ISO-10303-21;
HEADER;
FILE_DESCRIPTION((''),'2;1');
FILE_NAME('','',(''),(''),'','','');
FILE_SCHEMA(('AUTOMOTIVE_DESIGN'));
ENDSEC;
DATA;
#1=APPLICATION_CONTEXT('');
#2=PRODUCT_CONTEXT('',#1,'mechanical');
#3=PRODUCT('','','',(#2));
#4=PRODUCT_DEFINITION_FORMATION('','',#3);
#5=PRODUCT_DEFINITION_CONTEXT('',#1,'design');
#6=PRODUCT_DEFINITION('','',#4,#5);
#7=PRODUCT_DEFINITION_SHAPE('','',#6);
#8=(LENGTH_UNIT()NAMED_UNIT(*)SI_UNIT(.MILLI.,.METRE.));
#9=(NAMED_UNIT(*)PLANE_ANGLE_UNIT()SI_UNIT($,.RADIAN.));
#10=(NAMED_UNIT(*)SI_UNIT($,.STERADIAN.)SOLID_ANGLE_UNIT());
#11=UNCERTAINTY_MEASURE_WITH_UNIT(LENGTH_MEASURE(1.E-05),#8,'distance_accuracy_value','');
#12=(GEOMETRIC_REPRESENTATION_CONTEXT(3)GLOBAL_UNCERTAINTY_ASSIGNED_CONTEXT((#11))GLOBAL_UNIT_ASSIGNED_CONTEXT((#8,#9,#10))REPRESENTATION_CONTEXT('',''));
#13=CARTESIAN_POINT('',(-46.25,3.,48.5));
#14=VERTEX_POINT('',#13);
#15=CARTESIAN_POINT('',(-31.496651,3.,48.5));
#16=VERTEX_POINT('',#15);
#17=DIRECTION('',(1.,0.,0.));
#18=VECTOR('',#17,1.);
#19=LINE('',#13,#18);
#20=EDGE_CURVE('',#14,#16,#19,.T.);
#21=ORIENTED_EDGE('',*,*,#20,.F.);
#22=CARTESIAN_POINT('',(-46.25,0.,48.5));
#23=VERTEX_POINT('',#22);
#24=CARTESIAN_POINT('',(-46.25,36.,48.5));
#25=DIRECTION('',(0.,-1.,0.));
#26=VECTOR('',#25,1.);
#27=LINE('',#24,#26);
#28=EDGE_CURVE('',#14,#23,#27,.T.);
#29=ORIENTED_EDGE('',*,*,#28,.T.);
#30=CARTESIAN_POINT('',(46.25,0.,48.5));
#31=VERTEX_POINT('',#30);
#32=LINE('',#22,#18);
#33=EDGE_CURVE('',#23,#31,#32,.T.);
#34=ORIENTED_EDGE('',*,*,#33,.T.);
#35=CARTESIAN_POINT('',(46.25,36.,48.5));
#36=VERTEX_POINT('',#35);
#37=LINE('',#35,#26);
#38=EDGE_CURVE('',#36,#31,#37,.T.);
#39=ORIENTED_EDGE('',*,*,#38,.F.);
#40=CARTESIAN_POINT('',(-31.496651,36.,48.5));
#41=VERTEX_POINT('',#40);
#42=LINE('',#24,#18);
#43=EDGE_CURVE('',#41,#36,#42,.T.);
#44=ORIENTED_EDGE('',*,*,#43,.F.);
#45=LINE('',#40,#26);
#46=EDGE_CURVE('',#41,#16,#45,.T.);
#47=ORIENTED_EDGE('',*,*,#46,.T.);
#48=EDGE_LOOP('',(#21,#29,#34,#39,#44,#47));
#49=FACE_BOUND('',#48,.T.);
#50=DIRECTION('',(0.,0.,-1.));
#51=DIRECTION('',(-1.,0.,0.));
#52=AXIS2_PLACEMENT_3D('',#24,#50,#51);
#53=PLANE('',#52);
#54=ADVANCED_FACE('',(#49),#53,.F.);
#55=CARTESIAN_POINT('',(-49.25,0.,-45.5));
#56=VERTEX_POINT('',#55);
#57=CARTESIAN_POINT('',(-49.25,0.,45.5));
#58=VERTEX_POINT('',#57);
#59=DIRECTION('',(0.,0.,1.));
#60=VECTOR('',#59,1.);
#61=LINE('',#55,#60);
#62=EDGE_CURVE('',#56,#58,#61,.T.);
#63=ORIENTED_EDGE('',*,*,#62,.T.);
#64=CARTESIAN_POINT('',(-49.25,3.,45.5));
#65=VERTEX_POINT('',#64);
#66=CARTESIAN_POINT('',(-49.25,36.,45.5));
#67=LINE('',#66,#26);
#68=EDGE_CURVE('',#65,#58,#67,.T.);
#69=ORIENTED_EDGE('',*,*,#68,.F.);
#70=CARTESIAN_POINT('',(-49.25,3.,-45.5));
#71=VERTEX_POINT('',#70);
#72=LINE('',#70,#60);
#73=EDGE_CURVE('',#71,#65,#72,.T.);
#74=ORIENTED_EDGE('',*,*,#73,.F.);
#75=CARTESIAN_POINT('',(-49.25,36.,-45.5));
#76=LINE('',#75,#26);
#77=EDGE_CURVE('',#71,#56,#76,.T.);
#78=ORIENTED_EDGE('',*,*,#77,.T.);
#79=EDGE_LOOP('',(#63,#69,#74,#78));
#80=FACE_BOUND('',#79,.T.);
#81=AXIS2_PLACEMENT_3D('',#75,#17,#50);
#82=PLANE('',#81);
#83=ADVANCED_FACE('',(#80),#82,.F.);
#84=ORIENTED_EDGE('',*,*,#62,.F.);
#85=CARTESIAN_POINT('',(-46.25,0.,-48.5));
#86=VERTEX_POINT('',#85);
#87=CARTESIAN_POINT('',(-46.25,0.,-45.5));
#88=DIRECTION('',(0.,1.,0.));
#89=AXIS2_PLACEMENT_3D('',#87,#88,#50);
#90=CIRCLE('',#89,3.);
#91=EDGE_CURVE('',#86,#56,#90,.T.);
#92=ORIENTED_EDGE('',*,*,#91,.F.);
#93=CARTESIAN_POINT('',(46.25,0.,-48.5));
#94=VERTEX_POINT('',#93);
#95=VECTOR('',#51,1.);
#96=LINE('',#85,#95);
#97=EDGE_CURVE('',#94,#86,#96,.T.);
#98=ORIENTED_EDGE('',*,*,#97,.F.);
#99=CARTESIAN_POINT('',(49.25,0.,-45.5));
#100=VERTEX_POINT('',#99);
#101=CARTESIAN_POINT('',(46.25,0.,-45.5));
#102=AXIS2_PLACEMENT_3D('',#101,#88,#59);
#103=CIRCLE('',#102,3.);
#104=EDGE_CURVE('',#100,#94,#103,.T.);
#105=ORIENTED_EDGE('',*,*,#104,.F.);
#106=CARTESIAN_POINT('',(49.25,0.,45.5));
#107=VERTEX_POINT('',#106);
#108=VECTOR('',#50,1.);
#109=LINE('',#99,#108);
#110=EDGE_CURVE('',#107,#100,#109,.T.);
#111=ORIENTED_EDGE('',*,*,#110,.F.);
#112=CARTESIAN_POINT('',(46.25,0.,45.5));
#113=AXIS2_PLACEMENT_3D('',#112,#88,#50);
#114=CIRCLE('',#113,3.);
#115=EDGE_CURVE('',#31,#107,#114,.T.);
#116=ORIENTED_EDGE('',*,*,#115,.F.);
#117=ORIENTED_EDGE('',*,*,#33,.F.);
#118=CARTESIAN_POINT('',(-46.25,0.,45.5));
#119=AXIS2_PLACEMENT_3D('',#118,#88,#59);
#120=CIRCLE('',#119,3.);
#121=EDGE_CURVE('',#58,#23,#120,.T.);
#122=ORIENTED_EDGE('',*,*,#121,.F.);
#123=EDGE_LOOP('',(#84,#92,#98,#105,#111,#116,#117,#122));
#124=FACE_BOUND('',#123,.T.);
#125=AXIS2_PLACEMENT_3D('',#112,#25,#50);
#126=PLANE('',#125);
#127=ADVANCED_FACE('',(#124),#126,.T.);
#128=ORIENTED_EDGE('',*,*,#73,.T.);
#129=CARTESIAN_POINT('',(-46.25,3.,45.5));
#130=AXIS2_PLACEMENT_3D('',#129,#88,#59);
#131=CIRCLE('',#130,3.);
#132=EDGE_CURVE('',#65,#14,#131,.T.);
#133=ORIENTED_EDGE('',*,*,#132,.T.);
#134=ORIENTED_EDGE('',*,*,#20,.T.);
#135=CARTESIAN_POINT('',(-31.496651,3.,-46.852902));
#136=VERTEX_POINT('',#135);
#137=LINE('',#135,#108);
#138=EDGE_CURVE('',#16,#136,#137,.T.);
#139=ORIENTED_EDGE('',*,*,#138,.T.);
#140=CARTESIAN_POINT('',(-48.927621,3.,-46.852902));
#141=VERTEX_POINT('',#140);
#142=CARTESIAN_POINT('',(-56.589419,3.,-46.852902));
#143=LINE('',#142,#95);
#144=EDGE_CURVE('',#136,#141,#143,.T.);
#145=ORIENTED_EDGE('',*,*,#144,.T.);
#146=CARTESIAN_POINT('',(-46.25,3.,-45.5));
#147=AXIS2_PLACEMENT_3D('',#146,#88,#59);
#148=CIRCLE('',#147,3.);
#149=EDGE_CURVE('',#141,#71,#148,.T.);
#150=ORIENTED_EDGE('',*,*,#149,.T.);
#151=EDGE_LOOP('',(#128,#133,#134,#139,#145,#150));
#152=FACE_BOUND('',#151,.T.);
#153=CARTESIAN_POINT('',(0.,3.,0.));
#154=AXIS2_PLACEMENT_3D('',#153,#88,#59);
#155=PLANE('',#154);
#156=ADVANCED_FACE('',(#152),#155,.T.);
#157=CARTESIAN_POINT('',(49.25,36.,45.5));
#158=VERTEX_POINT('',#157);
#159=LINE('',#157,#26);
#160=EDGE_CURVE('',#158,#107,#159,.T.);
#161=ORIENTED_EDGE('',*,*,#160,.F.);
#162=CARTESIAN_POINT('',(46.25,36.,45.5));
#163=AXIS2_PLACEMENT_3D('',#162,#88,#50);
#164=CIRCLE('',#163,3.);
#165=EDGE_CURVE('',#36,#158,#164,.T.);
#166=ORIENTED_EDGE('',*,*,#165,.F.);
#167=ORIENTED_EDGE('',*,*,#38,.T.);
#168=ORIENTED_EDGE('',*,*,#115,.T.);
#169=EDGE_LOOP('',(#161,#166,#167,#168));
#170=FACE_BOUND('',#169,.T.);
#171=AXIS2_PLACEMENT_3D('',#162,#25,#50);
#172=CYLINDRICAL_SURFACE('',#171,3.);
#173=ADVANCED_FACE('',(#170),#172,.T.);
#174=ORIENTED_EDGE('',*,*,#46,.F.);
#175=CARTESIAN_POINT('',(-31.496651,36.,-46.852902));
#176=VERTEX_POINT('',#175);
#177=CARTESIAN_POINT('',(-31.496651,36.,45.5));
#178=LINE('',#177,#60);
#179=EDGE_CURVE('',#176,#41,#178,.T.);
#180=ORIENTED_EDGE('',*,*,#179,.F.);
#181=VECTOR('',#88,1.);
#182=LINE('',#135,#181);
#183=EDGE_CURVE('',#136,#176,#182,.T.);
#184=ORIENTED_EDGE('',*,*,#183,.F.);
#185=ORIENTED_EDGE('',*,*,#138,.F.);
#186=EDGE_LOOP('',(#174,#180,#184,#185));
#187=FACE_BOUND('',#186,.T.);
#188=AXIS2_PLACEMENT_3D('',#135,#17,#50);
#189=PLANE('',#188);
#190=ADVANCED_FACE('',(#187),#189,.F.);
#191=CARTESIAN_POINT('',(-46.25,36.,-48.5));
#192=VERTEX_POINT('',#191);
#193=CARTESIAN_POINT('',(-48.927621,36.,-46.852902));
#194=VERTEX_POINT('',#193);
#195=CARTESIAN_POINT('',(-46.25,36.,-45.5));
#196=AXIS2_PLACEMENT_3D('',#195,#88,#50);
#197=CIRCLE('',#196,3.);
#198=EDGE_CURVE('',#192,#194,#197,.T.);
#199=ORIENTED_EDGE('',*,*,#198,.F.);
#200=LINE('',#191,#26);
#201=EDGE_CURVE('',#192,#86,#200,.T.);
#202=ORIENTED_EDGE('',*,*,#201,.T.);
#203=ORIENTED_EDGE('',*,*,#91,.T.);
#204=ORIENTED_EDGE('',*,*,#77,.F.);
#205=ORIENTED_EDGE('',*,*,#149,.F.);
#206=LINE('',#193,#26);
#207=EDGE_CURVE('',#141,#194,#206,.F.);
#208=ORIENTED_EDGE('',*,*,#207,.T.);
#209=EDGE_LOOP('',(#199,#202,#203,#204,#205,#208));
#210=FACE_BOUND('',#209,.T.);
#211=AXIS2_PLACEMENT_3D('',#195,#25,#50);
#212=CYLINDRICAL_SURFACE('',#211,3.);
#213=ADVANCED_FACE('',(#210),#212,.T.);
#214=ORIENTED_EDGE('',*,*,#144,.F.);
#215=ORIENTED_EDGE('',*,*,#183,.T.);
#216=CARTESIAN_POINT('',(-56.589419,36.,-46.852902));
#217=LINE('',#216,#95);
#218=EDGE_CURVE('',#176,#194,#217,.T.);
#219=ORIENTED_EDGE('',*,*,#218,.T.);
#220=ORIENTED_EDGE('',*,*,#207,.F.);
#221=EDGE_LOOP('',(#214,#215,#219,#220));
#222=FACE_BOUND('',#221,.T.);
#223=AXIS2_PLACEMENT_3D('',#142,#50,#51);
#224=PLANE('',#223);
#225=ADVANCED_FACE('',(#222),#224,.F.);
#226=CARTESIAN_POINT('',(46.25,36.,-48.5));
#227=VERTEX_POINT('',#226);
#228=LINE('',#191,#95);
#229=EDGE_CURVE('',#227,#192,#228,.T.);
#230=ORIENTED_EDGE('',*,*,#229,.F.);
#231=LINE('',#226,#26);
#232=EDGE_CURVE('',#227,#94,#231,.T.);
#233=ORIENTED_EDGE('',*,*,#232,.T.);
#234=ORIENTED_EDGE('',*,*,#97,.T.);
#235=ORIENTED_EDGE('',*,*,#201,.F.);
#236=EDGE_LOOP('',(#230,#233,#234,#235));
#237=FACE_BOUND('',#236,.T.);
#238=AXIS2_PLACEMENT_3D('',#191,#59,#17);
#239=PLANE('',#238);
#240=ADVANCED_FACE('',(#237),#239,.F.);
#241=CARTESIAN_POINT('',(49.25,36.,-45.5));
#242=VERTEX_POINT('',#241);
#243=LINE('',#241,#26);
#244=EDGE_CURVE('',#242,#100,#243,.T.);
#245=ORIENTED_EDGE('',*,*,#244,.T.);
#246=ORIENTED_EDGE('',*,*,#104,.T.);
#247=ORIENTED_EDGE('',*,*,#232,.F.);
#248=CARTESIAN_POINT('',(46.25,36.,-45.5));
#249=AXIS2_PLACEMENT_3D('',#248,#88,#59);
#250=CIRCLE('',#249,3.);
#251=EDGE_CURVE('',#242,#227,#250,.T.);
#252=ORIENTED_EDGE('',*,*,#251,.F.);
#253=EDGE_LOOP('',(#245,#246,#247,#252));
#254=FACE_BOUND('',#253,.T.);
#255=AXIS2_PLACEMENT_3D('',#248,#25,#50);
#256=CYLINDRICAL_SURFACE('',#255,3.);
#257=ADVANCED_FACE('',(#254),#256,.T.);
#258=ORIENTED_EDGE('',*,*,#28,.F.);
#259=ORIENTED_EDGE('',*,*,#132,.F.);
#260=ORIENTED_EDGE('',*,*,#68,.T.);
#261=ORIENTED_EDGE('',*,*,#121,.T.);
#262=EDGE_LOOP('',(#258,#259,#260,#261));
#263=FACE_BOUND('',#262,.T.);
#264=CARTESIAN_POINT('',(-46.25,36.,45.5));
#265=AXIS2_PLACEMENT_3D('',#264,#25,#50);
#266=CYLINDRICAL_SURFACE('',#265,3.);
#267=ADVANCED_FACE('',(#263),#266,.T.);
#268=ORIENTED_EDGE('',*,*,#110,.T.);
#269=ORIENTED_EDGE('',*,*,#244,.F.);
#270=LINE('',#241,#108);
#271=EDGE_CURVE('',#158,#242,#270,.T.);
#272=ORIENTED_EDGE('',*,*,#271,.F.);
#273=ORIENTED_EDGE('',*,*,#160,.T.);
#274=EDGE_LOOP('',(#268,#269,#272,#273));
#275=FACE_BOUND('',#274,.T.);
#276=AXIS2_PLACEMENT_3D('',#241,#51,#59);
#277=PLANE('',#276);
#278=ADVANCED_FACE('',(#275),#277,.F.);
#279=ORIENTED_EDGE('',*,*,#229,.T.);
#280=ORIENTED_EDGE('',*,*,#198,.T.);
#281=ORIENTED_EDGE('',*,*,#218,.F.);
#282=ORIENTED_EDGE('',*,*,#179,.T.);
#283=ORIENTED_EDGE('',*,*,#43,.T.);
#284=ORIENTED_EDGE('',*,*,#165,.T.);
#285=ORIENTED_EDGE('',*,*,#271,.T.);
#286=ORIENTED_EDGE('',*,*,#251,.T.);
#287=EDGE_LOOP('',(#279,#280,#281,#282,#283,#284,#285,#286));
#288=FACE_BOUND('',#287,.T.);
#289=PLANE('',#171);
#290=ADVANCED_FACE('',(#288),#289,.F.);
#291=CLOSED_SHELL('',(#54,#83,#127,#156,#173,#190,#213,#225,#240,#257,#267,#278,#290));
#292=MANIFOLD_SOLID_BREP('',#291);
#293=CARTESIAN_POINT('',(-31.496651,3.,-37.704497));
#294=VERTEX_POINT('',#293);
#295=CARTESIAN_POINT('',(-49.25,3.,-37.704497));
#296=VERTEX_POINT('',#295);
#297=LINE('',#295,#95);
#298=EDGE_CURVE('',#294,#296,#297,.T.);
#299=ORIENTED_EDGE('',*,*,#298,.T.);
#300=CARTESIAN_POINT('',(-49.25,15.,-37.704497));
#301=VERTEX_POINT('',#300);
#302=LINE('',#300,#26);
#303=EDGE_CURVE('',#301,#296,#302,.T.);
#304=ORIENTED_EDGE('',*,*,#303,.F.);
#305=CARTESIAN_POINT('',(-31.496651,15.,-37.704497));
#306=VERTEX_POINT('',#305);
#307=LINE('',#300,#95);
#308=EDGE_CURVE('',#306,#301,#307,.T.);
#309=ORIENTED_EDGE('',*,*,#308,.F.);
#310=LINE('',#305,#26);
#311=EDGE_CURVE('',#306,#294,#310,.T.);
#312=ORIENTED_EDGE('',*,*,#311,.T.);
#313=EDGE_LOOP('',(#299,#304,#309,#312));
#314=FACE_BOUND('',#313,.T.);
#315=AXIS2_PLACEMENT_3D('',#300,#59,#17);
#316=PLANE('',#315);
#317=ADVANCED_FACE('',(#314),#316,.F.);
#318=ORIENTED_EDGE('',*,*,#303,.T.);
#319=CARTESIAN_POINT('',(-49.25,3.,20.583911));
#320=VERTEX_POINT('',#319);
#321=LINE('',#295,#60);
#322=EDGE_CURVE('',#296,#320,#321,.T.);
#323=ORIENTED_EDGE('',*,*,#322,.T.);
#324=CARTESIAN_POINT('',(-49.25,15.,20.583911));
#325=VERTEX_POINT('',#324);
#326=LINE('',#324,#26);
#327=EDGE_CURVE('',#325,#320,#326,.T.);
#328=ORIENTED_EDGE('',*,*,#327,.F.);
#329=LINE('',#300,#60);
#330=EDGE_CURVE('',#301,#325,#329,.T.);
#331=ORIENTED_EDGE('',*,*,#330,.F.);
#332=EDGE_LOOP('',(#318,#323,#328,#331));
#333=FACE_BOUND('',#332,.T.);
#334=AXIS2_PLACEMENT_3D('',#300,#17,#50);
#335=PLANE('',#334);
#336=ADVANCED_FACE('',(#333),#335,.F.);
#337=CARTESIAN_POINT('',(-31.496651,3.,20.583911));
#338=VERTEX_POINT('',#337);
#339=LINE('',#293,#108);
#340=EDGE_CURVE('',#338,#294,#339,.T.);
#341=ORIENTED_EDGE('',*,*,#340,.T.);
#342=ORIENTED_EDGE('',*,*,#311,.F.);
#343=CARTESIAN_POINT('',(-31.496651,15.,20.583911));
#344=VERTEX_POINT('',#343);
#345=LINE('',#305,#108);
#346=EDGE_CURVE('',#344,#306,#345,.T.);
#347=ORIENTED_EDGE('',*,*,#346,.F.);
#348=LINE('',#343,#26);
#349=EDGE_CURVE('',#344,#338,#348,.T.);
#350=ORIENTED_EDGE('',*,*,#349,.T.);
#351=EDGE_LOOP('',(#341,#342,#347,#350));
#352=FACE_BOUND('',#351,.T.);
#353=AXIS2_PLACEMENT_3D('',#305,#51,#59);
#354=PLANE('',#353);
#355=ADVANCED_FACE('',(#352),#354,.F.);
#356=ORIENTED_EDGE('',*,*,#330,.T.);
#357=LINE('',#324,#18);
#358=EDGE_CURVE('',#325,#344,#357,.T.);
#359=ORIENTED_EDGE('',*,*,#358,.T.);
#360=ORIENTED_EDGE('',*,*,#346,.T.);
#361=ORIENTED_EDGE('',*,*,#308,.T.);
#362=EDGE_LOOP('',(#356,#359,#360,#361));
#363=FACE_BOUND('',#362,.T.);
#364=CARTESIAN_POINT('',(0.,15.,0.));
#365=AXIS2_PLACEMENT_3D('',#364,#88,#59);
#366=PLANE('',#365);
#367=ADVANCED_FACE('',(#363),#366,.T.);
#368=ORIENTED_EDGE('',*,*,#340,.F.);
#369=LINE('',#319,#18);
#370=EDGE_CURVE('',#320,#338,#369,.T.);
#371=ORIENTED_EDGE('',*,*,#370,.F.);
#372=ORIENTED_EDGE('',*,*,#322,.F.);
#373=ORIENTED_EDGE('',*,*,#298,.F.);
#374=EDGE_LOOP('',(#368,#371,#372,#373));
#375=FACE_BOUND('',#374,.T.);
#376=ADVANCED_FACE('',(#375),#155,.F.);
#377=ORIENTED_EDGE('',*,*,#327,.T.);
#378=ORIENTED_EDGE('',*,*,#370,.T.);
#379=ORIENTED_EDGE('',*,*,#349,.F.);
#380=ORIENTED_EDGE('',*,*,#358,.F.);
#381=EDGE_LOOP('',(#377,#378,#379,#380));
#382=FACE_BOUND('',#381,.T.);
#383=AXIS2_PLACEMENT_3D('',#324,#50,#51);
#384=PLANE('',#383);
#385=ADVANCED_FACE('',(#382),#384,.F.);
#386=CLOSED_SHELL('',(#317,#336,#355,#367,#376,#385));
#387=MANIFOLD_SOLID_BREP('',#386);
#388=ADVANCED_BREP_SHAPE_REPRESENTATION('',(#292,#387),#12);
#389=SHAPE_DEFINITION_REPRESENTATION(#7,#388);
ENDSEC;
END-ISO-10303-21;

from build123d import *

# Parameters (mm, degrees)
BOSS_EXTRUDE1_DEPTH = 36
SKETCH2_W           = 25.092767626
SKETCH2_H           = 98.018623538
CUT_EXTRUDE1_DEPTH  = 33
SKETCH3_W           = 17.75334897
SKETCH3_H           = 58.288408131
BOSS_EXTRUDE2_DEPTH = 12


with BuildPart() as part:
    # Sketch1 → Boss-Extrude1 (new body)
    with BuildSketch(Plane(origin=(0, 0, 0), x_dir=(1, 0, 0), z_dir=(0, 1, 0))):
        with BuildLine():
            Line((-46.25, 48.5), (46.25, 48.5))
            ThreePointArc((46.25, 48.5), (48.371320344, 47.621320344), (49.25, 45.5))
            Line((49.25, 45.5), (49.25, -45.5))
            ThreePointArc((49.25, -45.5), (48.371320344, -47.621320344), (46.25, -48.5))
            Line((46.25, -48.5), (-46.25, -48.5))
            ThreePointArc((-46.25, -48.5), (-48.371320344, -47.621320344), (-49.25, -45.5))
            Line((-49.25, -45.5), (-49.25, 45.5))
            ThreePointArc((-49.25, 45.5), (-48.371320344, 47.621320344), (-46.25, 48.5))
        make_face()
    extrude(amount=BOSS_EXTRUDE1_DEPTH)

    # Sketch2 → Cut-Extrude1 (cut)
    with BuildSketch(Plane(origin=(0, 36, 0), x_dir=(1, 0, 0), z_dir=(0, 1, 0))):
        with Locations((-44.043034843, -2.156409718)):
            Rectangle(SKETCH2_W, SKETCH2_H)
    extrude(amount=-CUT_EXTRUDE1_DEPTH, mode=Mode.SUBTRACT)


with BuildPart() as body_2:
    # Sketch3 → Boss-Extrude2 (new body)
    with BuildSketch(Plane(origin=(0, 3, 0), x_dir=(1, 0, 0), z_dir=(0, 1, 0))):
        with Locations((-40.373325515, 8.560293123)):
            Rectangle(SKETCH3_W, SKETCH3_H)
    extrude(amount=BOSS_EXTRUDE2_DEPTH)


solid = Compound([part.part, body_2.part])
